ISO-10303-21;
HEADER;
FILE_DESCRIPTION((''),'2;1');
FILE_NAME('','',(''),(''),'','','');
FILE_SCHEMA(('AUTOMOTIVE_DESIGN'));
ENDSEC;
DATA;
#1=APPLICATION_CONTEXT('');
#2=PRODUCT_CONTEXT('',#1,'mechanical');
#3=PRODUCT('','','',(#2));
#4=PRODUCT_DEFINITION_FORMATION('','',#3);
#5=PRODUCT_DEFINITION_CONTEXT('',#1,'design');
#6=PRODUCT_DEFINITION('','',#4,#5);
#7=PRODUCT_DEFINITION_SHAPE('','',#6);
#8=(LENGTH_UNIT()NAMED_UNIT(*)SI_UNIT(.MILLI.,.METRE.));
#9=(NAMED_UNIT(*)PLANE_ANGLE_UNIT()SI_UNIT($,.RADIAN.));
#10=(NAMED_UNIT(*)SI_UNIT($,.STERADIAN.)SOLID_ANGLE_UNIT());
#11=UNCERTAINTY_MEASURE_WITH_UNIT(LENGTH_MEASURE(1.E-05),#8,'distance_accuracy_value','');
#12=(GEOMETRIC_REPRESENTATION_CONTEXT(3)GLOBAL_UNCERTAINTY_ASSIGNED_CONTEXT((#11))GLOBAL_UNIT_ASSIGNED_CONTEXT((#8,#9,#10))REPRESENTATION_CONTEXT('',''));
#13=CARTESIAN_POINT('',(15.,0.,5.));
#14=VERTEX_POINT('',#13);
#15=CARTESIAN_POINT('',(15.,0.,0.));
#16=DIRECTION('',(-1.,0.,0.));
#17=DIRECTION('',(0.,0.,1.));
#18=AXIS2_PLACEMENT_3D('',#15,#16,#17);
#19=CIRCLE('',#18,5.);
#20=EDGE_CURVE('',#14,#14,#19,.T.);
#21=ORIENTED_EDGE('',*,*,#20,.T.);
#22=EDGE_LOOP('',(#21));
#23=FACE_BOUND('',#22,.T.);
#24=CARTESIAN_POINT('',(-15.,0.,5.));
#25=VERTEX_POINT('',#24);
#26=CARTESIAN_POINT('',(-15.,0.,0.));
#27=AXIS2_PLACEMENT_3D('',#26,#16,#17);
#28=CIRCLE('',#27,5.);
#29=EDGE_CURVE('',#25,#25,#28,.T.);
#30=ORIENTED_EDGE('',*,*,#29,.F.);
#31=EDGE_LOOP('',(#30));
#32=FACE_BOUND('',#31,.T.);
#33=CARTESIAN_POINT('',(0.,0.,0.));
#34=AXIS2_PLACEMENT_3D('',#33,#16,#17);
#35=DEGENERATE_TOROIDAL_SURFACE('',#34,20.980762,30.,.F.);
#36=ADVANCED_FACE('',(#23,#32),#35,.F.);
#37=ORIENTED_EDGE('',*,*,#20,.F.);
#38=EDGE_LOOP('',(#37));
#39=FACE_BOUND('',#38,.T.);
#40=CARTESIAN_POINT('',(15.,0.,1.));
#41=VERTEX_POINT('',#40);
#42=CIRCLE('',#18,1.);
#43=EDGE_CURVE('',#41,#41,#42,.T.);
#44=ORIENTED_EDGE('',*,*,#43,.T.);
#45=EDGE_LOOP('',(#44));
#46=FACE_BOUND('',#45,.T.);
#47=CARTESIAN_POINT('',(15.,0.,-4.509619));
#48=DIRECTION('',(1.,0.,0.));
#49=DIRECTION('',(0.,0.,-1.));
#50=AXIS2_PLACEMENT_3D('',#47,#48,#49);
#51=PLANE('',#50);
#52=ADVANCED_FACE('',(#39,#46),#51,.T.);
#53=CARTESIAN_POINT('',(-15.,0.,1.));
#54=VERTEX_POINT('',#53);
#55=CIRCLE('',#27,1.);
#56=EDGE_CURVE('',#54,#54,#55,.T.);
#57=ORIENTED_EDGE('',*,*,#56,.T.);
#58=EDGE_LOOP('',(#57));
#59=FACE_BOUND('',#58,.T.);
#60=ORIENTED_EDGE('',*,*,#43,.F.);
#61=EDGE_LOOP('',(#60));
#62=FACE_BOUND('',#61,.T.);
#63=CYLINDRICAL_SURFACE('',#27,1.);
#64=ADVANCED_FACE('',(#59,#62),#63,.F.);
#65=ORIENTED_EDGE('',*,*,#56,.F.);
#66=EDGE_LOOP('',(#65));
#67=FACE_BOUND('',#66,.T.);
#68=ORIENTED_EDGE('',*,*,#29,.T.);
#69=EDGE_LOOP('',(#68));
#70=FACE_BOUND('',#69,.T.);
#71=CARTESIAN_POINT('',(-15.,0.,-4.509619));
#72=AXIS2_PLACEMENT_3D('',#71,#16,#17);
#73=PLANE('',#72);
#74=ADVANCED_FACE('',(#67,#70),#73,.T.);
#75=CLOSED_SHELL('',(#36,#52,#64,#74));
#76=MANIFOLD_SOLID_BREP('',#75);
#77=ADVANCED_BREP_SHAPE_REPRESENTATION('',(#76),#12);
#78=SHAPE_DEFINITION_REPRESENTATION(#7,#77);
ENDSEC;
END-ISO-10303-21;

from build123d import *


with BuildPart() as part:
    # Sketch1 → Revolve3 (revolve)
    with BuildSketch(Plane(origin=(0, 0, 0), x_dir=(1, 0, 0), z_dir=(0, 1, 0)), mode=Mode.PRIVATE) as revolve3_sk:
        with BuildLine():
            Line((-15, 5), (-15, 1))
            Line((-15, 1), (15, 1))
            Line((15, 1), (15, 5))
            ThreePointArc((15, 5), (0, 9.019237886), (-15, 5))
        make_face()
    revolve(revolve3_sk.sketch.rotate(Axis((-15, 0, 0), (1, 0, 0)), 180), axis=Axis((-15, 0, 0), (1, 0, 0)))


solid = part.part
